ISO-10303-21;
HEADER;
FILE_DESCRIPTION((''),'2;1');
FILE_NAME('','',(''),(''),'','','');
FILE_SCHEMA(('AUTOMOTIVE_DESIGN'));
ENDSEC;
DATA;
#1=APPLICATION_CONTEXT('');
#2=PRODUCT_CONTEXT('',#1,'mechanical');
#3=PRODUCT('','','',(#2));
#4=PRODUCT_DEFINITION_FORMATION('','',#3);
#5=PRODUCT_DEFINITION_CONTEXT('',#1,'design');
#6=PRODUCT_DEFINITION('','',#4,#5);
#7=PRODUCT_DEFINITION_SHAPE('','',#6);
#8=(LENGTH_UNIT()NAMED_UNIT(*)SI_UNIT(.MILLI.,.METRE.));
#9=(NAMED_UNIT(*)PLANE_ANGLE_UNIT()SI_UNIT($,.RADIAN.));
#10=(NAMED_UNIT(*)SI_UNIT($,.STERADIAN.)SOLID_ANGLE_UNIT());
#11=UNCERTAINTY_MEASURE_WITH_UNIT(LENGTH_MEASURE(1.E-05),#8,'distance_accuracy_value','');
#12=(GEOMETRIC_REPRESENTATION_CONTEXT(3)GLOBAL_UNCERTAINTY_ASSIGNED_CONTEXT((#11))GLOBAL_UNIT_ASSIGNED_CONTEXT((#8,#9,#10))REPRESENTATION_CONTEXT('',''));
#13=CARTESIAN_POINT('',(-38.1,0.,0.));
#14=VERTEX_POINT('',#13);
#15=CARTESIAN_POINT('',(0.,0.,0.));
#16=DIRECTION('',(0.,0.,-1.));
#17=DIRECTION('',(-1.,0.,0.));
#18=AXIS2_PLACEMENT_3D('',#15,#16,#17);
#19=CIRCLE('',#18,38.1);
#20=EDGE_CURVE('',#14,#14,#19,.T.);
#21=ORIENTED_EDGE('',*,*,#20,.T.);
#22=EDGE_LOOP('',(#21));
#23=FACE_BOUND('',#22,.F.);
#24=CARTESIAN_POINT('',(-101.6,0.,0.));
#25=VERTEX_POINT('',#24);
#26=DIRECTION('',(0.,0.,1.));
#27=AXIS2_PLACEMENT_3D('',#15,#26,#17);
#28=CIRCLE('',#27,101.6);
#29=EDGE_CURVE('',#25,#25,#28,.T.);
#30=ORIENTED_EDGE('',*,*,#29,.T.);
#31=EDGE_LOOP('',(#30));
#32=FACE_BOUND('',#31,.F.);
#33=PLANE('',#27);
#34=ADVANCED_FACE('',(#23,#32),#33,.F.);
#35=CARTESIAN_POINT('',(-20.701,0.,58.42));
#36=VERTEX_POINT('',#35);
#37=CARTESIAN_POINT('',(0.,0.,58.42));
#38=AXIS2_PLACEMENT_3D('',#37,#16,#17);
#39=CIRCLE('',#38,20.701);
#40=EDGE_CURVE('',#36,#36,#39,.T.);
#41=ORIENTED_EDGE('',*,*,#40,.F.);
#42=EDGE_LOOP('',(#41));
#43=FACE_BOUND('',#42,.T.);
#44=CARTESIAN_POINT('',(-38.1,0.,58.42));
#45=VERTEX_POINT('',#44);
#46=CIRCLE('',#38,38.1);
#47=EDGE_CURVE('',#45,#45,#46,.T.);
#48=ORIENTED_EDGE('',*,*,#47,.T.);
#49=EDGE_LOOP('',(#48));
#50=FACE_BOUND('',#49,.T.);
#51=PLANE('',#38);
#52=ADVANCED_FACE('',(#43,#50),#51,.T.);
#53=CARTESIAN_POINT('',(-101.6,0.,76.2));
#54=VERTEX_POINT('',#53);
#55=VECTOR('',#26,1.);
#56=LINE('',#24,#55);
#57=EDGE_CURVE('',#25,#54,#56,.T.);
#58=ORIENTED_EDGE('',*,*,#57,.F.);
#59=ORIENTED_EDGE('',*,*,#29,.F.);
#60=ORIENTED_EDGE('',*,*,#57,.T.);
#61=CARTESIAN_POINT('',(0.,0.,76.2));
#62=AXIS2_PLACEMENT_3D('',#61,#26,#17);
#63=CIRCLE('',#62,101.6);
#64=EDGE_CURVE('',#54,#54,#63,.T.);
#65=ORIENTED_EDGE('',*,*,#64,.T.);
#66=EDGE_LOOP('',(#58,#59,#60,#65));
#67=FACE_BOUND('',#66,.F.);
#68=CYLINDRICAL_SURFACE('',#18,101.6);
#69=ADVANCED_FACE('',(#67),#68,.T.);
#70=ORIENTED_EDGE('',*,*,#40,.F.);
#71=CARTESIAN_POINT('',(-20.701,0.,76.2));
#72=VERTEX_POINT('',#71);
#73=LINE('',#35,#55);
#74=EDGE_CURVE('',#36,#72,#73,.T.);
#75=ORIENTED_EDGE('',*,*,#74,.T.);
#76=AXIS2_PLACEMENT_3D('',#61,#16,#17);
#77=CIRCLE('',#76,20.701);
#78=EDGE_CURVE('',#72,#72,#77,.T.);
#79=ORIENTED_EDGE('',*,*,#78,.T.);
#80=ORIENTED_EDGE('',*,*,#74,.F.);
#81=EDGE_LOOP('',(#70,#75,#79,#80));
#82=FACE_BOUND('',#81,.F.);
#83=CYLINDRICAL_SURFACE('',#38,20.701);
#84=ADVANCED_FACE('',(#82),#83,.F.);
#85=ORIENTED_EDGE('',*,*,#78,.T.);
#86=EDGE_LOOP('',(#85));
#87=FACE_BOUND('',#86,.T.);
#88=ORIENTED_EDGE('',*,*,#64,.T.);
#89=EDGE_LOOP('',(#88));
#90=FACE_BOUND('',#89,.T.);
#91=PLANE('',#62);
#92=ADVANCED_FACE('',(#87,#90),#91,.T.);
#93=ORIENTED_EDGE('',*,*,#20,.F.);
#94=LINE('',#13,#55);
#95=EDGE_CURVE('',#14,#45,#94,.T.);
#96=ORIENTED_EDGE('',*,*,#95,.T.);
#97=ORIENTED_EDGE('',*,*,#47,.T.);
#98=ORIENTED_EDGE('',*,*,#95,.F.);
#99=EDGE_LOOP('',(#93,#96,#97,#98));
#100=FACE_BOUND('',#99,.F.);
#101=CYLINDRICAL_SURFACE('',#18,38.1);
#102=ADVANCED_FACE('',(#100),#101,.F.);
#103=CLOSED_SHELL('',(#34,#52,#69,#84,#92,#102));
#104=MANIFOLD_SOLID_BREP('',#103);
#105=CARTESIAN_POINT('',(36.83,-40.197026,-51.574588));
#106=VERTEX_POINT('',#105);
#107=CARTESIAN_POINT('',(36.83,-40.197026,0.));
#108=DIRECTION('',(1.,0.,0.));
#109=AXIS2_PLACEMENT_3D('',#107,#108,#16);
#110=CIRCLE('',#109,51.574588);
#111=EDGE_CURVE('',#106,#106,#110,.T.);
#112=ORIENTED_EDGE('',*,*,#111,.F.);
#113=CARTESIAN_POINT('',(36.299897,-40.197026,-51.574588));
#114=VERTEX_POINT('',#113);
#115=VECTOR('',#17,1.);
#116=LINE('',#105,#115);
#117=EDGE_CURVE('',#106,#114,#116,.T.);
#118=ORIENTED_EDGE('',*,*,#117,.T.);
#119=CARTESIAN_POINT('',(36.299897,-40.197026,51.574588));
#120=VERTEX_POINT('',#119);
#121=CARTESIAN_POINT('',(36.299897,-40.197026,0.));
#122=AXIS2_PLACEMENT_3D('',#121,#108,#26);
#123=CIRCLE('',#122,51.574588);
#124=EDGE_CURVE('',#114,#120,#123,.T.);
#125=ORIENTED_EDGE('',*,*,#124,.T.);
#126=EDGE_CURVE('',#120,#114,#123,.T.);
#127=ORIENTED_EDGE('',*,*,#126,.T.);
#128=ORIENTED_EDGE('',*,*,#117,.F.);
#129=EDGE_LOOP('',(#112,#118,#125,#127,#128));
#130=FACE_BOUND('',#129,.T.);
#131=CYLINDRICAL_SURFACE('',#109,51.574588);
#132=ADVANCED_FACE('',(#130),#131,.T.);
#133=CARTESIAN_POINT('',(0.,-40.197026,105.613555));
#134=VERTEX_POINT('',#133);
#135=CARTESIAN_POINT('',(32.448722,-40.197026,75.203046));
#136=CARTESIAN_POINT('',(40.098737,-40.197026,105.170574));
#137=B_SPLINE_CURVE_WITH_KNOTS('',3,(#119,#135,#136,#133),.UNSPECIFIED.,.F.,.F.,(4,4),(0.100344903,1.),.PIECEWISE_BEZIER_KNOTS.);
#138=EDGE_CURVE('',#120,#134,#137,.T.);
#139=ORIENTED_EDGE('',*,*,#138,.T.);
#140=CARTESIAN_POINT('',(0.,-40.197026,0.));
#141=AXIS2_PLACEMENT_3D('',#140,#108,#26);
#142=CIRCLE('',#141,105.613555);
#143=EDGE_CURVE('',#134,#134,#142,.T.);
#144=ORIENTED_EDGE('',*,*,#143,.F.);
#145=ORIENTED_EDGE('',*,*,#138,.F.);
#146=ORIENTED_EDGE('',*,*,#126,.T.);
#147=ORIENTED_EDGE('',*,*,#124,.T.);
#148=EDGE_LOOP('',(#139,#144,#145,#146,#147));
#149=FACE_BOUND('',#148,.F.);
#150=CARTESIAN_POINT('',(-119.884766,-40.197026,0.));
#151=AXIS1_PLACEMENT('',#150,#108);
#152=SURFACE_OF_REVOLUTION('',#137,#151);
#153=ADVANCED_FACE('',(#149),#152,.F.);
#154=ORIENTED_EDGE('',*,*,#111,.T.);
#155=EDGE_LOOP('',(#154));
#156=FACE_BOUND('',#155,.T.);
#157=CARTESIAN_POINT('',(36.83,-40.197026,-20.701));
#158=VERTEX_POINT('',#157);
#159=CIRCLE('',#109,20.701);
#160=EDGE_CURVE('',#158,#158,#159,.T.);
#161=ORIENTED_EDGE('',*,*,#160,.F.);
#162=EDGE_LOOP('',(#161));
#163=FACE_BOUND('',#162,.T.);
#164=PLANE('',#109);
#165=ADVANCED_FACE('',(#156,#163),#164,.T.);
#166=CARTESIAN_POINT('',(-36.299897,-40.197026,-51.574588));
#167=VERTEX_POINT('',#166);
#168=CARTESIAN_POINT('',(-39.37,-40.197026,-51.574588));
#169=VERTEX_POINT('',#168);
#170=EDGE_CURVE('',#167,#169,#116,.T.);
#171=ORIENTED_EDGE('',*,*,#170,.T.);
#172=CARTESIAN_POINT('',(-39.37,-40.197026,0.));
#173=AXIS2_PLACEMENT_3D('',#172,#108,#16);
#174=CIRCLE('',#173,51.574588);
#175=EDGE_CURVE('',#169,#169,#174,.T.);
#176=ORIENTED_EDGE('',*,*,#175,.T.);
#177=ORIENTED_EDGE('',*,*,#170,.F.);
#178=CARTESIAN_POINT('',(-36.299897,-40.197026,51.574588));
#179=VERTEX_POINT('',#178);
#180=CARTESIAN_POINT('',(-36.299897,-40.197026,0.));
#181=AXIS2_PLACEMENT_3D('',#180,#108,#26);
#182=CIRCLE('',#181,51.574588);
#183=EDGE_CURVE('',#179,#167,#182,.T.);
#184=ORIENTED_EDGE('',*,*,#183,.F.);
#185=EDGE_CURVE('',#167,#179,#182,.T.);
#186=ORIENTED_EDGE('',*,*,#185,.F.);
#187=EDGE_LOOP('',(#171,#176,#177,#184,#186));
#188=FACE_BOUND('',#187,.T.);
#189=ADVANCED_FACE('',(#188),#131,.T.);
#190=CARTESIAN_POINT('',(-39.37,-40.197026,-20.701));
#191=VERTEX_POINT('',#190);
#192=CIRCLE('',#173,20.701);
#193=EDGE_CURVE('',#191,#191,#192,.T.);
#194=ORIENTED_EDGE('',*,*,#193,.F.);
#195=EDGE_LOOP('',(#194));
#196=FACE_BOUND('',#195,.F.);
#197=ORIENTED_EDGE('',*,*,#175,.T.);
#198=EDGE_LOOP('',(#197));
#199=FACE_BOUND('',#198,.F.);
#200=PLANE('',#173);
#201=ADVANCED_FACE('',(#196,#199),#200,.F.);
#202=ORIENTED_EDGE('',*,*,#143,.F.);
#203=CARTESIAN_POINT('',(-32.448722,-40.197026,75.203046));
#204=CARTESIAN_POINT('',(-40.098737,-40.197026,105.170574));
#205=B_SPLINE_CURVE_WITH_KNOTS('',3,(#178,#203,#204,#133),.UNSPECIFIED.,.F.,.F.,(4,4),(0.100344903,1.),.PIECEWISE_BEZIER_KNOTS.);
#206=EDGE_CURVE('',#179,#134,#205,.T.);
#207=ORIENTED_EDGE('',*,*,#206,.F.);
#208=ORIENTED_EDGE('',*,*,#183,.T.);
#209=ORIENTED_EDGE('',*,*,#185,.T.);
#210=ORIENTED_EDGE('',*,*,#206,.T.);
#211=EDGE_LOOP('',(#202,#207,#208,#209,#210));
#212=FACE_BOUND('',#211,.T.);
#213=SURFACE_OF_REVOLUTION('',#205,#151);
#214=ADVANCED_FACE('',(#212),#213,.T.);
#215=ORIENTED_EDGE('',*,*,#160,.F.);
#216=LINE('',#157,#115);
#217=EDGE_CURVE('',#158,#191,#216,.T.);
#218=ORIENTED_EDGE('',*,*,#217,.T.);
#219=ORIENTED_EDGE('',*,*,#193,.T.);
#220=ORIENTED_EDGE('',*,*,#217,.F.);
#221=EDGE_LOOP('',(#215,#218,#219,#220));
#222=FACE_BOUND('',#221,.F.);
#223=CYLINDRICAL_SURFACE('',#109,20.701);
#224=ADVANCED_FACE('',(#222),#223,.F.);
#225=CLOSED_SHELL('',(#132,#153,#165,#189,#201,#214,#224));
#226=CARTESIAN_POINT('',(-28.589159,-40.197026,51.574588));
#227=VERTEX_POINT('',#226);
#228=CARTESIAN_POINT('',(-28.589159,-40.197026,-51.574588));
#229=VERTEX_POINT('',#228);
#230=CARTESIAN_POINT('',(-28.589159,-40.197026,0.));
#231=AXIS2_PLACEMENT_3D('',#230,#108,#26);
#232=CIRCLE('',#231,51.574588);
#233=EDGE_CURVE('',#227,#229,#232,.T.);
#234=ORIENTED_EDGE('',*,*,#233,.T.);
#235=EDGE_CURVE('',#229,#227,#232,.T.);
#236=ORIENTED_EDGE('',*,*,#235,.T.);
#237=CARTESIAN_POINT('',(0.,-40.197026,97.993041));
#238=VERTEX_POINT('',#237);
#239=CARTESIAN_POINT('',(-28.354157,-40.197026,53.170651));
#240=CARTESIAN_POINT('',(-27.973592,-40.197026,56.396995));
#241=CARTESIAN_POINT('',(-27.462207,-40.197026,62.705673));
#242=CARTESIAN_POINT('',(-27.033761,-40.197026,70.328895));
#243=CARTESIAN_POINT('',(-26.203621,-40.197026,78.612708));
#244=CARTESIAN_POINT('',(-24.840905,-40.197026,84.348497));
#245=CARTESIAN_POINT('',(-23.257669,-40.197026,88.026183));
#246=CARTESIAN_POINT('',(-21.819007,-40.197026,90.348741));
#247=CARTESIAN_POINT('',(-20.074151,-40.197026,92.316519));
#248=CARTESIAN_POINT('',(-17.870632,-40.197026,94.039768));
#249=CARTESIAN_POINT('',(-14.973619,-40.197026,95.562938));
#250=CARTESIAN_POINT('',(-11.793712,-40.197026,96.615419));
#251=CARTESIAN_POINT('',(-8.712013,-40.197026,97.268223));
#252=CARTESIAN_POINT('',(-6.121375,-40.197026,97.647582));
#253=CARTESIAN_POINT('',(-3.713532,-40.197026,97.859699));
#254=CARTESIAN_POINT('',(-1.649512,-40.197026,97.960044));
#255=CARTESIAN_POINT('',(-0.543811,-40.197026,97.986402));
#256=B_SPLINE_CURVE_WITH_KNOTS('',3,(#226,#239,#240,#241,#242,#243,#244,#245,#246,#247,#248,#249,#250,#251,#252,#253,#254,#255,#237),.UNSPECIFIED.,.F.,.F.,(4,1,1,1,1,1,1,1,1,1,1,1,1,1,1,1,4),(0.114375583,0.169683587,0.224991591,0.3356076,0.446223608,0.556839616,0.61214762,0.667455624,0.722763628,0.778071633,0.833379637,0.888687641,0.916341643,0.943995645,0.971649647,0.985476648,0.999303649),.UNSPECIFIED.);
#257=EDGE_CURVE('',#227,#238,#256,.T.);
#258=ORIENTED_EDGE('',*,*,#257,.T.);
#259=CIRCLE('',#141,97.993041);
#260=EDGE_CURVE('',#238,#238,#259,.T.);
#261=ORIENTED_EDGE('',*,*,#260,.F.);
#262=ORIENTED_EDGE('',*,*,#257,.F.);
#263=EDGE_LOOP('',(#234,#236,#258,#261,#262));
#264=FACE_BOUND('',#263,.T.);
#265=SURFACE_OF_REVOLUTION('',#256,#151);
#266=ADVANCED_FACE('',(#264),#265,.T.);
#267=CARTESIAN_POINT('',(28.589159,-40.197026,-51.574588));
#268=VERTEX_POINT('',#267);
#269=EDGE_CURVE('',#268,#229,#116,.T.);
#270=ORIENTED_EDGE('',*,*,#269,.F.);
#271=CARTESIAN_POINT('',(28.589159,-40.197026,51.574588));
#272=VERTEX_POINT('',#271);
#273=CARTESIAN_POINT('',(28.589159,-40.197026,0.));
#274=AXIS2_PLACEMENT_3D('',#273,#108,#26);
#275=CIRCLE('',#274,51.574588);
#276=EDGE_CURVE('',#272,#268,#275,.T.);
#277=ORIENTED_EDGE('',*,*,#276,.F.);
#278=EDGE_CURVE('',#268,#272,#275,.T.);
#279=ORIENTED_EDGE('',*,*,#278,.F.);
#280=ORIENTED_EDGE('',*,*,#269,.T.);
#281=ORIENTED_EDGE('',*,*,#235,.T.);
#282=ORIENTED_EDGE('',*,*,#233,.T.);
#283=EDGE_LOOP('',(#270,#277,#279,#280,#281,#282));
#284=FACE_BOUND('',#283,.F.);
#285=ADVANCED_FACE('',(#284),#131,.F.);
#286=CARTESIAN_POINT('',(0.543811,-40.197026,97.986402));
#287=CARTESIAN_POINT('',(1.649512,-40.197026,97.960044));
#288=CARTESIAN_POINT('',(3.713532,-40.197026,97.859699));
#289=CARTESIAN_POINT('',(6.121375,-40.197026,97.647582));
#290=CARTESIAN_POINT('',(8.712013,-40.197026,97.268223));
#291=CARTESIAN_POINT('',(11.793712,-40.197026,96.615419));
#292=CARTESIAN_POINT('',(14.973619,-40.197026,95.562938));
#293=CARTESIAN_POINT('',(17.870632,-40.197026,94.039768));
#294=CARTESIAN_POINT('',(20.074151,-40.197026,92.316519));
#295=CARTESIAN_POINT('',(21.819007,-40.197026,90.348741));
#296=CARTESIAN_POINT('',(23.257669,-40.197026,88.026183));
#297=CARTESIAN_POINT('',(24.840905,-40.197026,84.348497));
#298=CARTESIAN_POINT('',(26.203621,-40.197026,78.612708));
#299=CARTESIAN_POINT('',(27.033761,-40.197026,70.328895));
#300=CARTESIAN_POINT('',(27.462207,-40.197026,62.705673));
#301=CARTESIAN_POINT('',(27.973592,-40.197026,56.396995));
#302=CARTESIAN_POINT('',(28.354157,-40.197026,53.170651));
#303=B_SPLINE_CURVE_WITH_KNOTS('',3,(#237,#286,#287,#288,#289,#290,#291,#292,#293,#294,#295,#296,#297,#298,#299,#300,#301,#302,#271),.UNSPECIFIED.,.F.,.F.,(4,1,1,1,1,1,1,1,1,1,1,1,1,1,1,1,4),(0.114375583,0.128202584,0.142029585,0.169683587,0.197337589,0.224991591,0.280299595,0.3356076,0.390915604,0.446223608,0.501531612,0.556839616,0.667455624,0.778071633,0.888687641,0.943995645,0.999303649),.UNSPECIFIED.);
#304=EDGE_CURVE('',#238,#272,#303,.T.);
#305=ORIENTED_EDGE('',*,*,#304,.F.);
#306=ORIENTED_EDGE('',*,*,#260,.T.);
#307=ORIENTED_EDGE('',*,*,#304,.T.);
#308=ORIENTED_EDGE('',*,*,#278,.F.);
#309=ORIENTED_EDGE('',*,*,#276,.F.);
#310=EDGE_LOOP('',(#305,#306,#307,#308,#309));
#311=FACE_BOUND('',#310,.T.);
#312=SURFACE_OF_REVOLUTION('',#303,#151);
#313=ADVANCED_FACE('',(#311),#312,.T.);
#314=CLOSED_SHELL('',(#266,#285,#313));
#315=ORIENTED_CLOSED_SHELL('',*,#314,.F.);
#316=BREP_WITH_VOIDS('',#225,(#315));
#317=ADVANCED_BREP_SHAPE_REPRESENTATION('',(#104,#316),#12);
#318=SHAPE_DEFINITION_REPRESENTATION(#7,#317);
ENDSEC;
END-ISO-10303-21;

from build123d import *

# Parameters (mm, degrees)
SKETCH4_R           = 101.6
BOSS_EXTRUDE3_DEPTH = 76.2
SKETCH5_R           = 38.1
CUT_EXTRUDE2_DEPTH  = 58.42
SKETCH23_R          = 51.574588157
SKETCH23_R_2        = 41.91
BOSS_EXTRUDE4_DEPTH = 76.2
SKETCH24_R          = 41.91
SKETCH24_R_2        = 20.701
BOSS_EXTRUDE5_DEPTH = 76.2
SKETCH25_R          = 20.701
CUT_EXTRUDE8_DEPTH  = 76.2


with BuildPart() as part:
    # Sketch4 → Boss-Extrude3 (new body)
    with BuildSketch(Plane.XY):
        with Locations(Location((0, 0, 0), (0, 0, 180))):
            Circle(SKETCH4_R)
    extrude(amount=BOSS_EXTRUDE3_DEPTH)

    # Sketch5 → Cut-Extrude2 (cut)
    with BuildSketch(Plane(origin=(0, 0, 0), x_dir=(-1, 0, 0), z_dir=(0, 0, -1))):
        Circle(SKETCH5_R)
    extrude(amount=-CUT_EXTRUDE2_DEPTH, mode=Mode.SUBTRACT)

    # Sketch25 → Cut-Extrude8 (cut)
    with BuildSketch(Plane(origin=(0, 0, 58.42), x_dir=(-1, 0, 0), z_dir=(0, 0, -1))):
        Circle(SKETCH25_R)
    extrude(amount=-CUT_EXTRUDE8_DEPTH, mode=Mode.SUBTRACT)


with BuildPart() as body_2:
    # Sketch7 → Revolve1 (revolve)
    with BuildSketch(Plane.XY, mode=Mode.PRIVATE) as revolve1_sk:
        with BuildLine():
            add(Edge.make_bspline(
                [(-36.299897228, 11.377562293), (-32.448722286, 35.006020217), (-40.09873726, 64.973548254), (0, 65.416529242)],
                knots=[0.100344903, 0.100344903, 0.100344903, 0.100344903, 1, 1, 1, 1], degree=3))
            Line((-36.299897228, 11.377562293), (-28.589158758, 11.377562293))
            add(Edge.make_bspline(
                [(-28.589158758, 11.377562293), (-28.354156729, 12.973624821), (-27.97359185, 16.19996879), (-27.462206572, 22.508647188), (-27.03376106, 30.131869301), (-26.203620848, 38.415682211), (-24.84090542, 44.151470794), (-23.25766936, 47.829157442), (-21.819007149, 50.151715199), (-20.074150672, 52.119492902), (-17.870631716, 53.842742134), (-14.973619371, 55.365912568), (-11.793711756, 56.418392675), (-8.712012561, 57.071197566), (-6.121375383, 57.450555846), (-3.713532288, 57.662672887), (-1.649511644, 57.763018485), (-0.543810813, 57.789376019), (0, 57.796015422)],
                knots=[0.114375583, 0.114375583, 0.114375583, 0.114375583, 0.169683587, 0.224991591, 0.3356076, 0.446223608, 0.556839616, 0.61214762, 0.667455624, 0.722763628, 0.778071633, 0.833379637, 0.888687641, 0.916341643, 0.943995645, 0.971649647, 0.985476648, 0.999303649, 0.999303649, 0.999303649, 0.999303649], degree=3))
            Line((0, 57.796015422), (0, 65.416529242))
        make_face()
        with BuildLine():
            Line((28.589158758, 11.377562293), (36.299897228, 11.377562293))
            add(Edge.make_bspline(
                [(36.299897228, 11.377562293), (32.448722286, 35.006020217), (40.09873726, 64.973548254), (0, 65.416529242)],
                knots=[0.100344903, 0.100344903, 0.100344903, 0.100344903, 1, 1, 1, 1], degree=3))
            Line((0, 65.416529242), (0, 57.796015422))
            add(Edge.make_bspline(
                [(0, 57.796015422), (0.543810813, 57.789376019), (1.649511644, 57.763018485), (3.713532288, 57.662672887), (6.121375383, 57.450555846), (8.712012561, 57.071197566), (11.793711756, 56.418392675), (14.973619371, 55.365912568), (17.870631716, 53.842742134), (20.074150672, 52.119492902), (21.819007149, 50.151715199), (23.25766936, 47.829157442), (24.84090542, 44.151470794), (26.203620848, 38.415682211), (27.03376106, 30.131869301), (27.462206572, 22.508647188), (27.97359185, 16.19996879), (28.354156729, 12.973624821), (28.589158758, 11.377562293)],
                knots=[0.114375583, 0.114375583, 0.114375583, 0.114375583, 0.128202584, 0.142029585, 0.169683587, 0.197337589, 0.224991591, 0.280299595, 0.3356076, 0.390915604, 0.446223608, 0.501531612, 0.556839616, 0.667455624, 0.778071633, 0.888687641, 0.943995645, 0.999303649, 0.999303649, 0.999303649, 0.999303649], degree=3))
        make_face()
    revolve(revolve1_sk.sketch.rotate(Axis((-119.884766039, -40.197025864, 0), (1, 0, 0)), 90), axis=Axis((-119.884766039, -40.197025864, 0), (1, 0, 0)))

    # Sketch23 → Boss-Extrude4 (add)
    with BuildSketch(Plane(origin=(36.83, 0, 0), x_dir=(0, 0, -1), z_dir=(1, 0, 0))):
        with Locations((0, -40.197025864)):
            Circle(SKETCH23_R)
        with Locations((0, -40.197025864)):
            Circle(SKETCH23_R_2, mode=Mode.SUBTRACT)
    extrude(amount=-BOSS_EXTRUDE4_DEPTH)

    # Sketch24 → Boss-Extrude5 (add)
    with BuildSketch(Plane(origin=(36.83, 0, 0), x_dir=(0, 0, -1), z_dir=(1, 0, 0))):
        with Locations((0, -40.197025864)):
            Circle(SKETCH24_R)
        with Locations((0, -40.197025864)):
            Circle(SKETCH24_R_2, mode=Mode.SUBTRACT)
    extrude(amount=-BOSS_EXTRUDE5_DEPTH)


solid = Compound([part.part, body_2.part])
